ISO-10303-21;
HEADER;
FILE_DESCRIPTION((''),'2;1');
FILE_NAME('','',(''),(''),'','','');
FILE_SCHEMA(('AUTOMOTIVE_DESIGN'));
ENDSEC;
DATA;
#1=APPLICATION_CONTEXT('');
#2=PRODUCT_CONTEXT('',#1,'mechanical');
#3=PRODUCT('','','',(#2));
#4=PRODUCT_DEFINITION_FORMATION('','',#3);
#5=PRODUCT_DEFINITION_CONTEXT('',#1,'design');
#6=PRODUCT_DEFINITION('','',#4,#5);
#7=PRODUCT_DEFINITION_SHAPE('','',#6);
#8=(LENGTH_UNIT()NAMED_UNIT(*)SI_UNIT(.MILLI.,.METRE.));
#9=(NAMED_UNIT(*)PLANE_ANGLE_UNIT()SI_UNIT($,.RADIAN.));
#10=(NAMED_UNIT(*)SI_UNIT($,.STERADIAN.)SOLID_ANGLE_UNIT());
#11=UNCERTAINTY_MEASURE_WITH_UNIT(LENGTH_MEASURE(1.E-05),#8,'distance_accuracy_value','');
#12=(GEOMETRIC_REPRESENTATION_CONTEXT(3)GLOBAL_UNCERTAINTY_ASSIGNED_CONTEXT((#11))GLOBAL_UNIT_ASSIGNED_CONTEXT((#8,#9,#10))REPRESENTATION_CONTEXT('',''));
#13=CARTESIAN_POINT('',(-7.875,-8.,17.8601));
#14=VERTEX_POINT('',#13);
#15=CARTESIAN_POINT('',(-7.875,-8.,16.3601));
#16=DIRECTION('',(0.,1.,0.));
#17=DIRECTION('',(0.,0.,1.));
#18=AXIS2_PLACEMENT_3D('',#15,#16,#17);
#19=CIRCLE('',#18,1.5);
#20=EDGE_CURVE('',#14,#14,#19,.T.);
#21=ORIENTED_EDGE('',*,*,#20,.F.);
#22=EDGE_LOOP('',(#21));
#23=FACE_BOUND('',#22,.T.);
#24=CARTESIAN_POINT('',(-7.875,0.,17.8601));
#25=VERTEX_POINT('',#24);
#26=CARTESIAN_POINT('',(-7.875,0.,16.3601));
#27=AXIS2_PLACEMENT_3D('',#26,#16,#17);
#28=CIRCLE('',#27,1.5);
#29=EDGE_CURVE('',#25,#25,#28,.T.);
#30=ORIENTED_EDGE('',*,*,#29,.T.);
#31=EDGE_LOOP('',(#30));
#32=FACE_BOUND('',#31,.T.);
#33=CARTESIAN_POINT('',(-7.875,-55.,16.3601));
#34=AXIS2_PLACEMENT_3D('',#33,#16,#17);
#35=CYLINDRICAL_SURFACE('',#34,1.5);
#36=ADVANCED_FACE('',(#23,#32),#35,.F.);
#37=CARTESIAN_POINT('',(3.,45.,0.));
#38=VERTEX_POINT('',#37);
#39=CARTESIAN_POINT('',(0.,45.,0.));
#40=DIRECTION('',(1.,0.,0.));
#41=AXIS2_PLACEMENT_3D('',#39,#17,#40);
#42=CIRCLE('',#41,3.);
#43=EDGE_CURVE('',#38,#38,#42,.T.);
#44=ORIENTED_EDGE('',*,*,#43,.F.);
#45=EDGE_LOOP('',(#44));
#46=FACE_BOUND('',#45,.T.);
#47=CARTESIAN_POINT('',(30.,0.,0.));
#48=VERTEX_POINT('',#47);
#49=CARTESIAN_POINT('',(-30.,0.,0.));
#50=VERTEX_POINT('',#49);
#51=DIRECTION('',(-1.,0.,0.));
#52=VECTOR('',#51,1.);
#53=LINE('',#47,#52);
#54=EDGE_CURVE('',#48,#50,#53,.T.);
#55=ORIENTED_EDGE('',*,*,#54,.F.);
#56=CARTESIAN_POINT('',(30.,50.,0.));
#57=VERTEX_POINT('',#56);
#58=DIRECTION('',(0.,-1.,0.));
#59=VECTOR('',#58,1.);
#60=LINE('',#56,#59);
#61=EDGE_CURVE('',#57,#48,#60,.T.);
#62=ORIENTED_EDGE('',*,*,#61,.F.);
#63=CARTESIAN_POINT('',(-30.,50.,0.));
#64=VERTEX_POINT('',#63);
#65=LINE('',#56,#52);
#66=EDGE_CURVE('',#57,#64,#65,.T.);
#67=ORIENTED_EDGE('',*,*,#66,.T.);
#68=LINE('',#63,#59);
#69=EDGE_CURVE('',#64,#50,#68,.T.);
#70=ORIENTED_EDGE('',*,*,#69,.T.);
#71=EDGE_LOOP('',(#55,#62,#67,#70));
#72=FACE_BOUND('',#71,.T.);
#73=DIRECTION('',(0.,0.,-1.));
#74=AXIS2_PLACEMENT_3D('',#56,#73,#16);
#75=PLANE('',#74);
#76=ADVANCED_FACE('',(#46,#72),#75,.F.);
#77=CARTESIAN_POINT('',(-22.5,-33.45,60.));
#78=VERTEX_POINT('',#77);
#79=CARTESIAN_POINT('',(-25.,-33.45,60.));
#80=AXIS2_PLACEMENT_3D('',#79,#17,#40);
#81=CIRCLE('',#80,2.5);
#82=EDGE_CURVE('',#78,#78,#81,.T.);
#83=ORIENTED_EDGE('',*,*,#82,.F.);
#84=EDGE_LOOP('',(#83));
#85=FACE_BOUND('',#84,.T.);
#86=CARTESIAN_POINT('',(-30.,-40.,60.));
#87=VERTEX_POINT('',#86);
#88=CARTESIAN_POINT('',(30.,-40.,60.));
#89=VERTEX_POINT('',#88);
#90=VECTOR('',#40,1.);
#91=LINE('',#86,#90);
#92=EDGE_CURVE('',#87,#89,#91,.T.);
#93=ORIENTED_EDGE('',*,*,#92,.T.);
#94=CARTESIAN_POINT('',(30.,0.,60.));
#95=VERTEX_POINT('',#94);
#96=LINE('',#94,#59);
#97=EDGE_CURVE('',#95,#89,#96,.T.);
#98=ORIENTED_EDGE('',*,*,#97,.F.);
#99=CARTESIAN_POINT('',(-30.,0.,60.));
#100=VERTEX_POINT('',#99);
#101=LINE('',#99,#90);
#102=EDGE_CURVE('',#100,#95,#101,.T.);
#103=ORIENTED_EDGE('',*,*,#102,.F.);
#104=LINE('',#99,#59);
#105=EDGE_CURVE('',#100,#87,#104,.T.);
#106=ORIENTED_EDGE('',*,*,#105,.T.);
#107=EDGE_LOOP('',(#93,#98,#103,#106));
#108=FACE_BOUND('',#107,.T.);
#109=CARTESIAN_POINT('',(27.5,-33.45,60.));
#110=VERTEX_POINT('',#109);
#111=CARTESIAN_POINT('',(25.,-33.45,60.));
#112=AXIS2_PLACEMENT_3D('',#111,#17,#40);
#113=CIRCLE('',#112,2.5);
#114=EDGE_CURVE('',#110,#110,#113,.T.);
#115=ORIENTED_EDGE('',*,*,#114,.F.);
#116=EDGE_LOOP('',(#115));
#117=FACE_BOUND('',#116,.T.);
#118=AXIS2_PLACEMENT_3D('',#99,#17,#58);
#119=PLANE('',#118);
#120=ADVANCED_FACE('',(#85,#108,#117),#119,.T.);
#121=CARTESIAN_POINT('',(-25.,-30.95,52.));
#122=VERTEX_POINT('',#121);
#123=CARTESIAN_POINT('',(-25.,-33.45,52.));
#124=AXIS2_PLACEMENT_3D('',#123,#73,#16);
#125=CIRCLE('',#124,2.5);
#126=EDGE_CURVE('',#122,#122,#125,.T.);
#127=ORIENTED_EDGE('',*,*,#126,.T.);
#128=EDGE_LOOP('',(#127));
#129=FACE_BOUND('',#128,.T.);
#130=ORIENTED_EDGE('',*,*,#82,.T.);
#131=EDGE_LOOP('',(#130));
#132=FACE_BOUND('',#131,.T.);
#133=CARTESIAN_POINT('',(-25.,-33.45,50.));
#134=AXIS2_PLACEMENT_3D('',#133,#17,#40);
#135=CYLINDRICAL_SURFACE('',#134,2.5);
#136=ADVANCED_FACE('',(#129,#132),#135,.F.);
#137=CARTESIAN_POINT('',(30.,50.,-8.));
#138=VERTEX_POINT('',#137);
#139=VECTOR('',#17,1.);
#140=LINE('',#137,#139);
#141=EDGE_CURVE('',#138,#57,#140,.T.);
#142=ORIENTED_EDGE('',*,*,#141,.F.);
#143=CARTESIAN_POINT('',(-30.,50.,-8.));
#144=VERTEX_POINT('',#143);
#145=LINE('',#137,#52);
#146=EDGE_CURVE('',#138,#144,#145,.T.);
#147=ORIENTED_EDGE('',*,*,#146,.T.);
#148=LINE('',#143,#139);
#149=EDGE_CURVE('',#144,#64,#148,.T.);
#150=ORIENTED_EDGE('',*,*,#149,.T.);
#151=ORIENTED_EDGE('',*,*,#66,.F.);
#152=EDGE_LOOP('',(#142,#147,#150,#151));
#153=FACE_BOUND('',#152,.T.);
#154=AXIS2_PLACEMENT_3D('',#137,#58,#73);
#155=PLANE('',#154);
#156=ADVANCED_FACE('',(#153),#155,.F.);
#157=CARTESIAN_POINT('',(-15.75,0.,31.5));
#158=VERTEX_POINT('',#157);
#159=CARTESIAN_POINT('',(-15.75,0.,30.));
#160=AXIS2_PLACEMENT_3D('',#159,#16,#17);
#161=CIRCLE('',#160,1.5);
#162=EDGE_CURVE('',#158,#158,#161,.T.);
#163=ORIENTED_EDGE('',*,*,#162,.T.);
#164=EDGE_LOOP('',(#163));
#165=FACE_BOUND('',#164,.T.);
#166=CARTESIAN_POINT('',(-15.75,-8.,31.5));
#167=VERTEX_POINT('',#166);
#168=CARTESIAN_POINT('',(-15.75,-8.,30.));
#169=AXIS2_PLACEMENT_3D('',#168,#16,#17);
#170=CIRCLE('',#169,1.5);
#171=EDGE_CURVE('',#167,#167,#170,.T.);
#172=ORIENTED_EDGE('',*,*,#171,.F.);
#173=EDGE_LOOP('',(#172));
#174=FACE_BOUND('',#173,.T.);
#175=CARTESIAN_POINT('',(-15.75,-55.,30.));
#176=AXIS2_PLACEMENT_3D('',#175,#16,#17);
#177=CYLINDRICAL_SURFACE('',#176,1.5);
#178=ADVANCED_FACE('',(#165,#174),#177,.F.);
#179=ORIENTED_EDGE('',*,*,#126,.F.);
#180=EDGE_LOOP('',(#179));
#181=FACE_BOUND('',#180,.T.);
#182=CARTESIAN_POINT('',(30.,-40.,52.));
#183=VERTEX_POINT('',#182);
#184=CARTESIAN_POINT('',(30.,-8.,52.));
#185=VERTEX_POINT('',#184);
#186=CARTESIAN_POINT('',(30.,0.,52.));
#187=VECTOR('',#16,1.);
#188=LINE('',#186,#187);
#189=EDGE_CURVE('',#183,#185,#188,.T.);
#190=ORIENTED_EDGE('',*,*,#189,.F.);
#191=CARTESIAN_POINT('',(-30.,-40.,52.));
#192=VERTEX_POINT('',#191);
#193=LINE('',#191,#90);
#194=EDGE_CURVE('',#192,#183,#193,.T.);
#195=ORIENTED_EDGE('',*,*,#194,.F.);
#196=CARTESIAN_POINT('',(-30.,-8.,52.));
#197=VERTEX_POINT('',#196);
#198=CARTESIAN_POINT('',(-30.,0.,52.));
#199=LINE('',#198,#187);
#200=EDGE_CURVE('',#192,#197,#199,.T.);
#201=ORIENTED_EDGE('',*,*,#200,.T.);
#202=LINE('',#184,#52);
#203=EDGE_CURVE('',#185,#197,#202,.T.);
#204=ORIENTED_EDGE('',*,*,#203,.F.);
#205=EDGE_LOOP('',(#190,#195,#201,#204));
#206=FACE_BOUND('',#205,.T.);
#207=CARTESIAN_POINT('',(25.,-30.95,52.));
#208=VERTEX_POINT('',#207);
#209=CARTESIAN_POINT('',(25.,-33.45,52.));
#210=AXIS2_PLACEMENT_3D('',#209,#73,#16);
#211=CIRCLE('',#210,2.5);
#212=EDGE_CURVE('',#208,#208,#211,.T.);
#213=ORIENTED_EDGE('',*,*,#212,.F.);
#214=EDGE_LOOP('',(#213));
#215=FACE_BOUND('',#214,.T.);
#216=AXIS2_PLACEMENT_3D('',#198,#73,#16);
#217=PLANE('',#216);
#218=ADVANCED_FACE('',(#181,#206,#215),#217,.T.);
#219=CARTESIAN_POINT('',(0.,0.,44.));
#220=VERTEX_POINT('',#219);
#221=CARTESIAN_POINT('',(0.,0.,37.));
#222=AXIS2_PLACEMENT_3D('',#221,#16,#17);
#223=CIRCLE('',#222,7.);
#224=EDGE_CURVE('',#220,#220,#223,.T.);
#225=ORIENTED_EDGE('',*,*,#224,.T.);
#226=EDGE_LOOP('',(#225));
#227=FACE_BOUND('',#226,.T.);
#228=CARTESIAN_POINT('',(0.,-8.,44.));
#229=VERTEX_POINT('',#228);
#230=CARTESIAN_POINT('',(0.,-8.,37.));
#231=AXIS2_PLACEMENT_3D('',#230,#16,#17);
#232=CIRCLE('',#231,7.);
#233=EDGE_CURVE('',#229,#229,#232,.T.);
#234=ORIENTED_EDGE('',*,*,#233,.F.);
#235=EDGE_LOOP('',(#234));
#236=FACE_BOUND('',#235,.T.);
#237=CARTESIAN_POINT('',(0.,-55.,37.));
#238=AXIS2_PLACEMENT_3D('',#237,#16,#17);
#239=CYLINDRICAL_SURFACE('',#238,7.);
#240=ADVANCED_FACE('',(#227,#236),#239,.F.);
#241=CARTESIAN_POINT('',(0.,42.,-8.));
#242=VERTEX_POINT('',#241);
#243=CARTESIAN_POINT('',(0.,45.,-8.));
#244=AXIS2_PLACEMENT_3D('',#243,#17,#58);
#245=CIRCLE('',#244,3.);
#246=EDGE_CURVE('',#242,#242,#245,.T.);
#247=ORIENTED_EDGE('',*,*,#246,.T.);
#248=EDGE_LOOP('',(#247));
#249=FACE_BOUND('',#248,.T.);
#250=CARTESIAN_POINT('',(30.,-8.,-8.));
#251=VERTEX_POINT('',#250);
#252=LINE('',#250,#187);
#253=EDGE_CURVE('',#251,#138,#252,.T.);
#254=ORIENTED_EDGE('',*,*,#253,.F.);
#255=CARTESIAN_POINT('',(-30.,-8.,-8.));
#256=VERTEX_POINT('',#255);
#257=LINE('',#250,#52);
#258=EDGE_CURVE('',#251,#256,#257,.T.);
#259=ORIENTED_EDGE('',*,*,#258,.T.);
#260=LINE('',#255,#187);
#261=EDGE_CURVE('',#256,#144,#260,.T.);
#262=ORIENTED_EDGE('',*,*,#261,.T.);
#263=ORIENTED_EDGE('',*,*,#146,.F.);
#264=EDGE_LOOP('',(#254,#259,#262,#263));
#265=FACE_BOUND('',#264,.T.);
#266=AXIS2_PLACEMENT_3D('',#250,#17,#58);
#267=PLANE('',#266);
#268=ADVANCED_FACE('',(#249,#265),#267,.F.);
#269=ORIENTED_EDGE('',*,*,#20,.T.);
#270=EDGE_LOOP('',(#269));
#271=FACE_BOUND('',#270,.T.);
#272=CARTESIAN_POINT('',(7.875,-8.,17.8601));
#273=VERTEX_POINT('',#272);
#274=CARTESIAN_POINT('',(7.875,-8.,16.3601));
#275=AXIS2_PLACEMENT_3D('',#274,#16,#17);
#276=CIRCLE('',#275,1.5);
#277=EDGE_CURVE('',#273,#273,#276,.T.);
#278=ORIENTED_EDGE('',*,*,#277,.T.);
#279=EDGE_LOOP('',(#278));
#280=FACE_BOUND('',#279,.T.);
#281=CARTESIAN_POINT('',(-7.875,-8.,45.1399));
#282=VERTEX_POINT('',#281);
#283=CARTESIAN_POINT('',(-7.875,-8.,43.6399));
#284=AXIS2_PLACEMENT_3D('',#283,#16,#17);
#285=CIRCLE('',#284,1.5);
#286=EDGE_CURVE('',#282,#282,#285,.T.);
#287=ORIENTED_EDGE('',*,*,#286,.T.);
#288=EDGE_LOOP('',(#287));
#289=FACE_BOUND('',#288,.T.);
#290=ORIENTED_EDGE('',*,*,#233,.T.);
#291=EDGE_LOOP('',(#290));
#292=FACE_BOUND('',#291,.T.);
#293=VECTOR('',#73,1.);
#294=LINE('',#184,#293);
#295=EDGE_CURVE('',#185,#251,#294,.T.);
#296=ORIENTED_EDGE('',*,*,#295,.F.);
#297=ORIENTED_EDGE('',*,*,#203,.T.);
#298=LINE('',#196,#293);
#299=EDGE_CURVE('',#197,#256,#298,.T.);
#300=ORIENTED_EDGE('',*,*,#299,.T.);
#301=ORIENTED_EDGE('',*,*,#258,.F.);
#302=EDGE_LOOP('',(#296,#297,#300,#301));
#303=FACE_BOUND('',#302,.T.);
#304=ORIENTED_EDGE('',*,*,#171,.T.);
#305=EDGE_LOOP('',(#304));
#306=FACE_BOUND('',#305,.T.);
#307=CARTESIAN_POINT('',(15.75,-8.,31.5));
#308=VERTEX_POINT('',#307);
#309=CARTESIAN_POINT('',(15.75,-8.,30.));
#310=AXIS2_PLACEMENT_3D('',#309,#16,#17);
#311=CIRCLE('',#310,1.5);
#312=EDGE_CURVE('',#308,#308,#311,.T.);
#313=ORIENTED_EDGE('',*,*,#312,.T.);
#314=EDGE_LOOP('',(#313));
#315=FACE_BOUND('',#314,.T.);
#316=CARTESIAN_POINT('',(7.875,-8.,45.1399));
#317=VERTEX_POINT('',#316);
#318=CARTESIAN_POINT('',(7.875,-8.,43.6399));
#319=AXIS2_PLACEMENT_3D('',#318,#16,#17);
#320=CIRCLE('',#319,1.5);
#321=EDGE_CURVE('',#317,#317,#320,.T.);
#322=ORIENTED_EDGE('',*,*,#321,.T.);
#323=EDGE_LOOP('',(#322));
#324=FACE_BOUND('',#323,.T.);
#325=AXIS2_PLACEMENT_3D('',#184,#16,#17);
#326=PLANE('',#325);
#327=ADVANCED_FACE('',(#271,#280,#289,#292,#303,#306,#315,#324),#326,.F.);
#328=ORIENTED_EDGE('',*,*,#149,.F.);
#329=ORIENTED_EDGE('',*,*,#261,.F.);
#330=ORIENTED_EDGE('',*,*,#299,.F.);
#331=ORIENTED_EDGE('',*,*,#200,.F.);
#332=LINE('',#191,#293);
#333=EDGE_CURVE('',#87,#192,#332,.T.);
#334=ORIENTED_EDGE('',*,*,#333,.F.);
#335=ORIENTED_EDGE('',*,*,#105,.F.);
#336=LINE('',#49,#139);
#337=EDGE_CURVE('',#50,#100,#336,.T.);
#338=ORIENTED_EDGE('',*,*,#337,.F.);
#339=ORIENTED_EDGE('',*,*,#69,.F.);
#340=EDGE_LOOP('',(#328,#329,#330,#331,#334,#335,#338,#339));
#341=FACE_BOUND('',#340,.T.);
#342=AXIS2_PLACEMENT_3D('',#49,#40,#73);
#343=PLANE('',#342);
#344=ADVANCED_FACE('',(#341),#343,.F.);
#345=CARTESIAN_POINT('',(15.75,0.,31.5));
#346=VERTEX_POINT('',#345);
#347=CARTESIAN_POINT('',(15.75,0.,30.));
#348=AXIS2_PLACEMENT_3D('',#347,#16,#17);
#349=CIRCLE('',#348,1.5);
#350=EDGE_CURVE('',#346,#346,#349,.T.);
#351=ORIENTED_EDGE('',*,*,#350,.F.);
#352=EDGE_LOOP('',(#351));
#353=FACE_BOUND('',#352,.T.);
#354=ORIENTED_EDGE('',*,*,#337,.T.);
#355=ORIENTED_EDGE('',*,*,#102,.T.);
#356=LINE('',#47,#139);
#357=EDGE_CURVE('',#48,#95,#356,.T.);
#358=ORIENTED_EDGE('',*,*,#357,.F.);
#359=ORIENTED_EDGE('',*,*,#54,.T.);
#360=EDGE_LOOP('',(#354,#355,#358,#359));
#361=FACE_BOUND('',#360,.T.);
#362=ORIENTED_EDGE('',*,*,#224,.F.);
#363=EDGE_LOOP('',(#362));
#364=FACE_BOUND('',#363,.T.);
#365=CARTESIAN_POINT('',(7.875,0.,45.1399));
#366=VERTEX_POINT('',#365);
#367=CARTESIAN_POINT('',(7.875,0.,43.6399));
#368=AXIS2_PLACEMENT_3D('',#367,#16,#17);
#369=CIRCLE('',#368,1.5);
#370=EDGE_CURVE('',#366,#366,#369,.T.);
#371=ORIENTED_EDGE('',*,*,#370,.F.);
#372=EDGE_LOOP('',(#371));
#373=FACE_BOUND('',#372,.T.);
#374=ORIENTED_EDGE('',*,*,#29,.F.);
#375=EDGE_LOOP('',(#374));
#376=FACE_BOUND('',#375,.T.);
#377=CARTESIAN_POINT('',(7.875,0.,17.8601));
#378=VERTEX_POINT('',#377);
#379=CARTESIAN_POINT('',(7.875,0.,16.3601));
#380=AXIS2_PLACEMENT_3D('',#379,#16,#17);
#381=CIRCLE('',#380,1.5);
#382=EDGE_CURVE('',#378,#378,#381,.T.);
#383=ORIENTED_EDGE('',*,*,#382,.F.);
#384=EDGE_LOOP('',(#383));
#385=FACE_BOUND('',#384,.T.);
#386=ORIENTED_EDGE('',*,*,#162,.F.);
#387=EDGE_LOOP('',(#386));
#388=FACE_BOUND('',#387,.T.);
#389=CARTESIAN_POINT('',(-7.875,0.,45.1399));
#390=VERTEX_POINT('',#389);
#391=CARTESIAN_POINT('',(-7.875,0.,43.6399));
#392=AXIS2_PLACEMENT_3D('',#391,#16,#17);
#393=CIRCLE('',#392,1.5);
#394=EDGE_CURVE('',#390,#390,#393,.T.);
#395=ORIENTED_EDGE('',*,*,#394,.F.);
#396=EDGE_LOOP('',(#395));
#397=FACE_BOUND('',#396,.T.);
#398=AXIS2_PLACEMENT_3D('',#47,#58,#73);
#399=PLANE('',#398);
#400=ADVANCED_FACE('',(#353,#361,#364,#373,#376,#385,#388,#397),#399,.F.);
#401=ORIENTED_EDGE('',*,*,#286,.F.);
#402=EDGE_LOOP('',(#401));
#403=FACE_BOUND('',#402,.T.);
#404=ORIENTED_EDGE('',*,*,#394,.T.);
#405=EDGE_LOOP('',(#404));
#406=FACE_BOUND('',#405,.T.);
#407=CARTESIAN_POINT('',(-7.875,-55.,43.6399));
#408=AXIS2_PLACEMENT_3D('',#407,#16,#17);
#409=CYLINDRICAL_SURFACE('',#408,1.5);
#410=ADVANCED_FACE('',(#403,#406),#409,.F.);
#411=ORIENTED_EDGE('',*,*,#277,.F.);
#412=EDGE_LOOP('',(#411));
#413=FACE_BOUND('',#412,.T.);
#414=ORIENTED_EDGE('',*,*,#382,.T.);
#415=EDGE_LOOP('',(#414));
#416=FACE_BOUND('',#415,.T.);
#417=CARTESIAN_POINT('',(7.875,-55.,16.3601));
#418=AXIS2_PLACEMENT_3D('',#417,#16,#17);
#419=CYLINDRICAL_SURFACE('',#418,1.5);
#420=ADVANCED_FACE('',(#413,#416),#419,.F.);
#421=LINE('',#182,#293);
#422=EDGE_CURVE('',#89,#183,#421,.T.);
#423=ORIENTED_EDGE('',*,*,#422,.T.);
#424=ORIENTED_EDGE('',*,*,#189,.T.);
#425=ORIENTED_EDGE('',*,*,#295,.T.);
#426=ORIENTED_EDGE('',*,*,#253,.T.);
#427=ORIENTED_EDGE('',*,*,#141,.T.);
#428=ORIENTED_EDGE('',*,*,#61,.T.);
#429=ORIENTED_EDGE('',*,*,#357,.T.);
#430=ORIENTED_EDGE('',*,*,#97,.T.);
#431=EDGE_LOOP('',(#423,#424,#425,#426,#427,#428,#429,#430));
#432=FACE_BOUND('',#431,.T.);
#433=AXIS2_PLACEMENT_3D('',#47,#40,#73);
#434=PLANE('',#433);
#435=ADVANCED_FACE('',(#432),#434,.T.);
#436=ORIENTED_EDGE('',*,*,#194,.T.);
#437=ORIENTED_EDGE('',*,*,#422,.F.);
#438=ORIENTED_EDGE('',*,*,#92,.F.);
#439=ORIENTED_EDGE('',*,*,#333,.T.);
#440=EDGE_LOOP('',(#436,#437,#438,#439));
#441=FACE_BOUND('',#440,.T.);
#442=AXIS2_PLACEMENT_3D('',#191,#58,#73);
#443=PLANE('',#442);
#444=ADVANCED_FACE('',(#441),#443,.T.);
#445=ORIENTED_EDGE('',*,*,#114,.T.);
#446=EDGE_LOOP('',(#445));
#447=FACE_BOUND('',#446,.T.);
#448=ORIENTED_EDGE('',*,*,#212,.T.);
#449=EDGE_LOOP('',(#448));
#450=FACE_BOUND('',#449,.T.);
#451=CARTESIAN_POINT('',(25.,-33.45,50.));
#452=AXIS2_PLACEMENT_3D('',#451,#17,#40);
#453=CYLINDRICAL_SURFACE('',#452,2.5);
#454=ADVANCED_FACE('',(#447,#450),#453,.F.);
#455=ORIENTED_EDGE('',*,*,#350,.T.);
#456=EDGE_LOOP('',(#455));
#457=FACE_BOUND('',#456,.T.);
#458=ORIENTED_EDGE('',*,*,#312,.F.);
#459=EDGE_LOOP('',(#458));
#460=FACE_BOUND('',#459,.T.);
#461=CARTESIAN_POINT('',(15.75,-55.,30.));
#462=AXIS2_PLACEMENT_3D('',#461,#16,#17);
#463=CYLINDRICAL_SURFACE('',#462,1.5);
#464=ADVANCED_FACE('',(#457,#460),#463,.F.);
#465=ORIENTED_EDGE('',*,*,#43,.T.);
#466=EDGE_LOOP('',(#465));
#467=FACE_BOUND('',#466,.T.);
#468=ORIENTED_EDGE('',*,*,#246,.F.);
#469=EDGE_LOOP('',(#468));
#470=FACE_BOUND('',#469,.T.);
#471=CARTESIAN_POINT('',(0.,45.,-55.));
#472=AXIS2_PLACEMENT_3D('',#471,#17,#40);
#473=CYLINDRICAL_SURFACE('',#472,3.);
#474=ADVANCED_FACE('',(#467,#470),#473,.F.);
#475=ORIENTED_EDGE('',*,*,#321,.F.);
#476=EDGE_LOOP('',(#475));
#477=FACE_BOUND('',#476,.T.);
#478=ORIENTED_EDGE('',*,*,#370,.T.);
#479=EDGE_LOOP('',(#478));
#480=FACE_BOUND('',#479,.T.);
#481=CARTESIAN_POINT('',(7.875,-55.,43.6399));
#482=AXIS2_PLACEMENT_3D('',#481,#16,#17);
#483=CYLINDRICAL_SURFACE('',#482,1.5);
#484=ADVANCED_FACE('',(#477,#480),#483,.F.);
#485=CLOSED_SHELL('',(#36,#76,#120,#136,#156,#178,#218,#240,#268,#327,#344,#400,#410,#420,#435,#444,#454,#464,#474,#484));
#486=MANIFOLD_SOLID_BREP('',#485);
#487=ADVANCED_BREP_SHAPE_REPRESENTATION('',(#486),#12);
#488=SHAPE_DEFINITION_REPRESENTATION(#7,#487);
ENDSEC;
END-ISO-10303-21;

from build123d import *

# Parameters (mm, degrees)
BOSS_EXTRUDE1_DEPTH = 30
SKETCH2_R           = 7
SKETCH2_R_2         = 1.5
CUT_EXTRUDE1_DEPTH  = 55
SKETCH3_R           = 3
CUT_EXTRUDE2_DEPTH  = 55
SKETCH4_W           = 8
SKETCH4_H           = 40
BOSS_EXTRUDE2_DEPTH = 60
SKETCH5_R           = 2.5
CUT_EXTRUDE3_DEPTH  = 10


with BuildPart() as part:
    # Sketch1 → Boss-Extrude1 (new, symmetric)
    with BuildSketch(Plane(origin=(0, 0, 0), x_dir=(0, 0, -1), z_dir=(1, 0, 0))):
        Polygon((0, 50), (0, 0), (-52, 0), (-52, -8), (8, -8), (8, 50), align=None)
    extrude(amount=BOSS_EXTRUDE1_DEPTH, both=True)

    # Sketch2 → Cut-Extrude1 (cut)
    with BuildSketch(Plane(origin=(0, 0, 0), x_dir=(1, 0, 0), z_dir=(0, 1, 0))):
        with Locations(Location((0, -37, 0), (0, 0, 270))):
            Circle(SKETCH2_R)
        with Locations(Location((15.75, -30, 0), (0, 0, 270))):
            Circle(SKETCH2_R_2)
        with Locations(Location((7.875, -43.63990011, 0), (0, 0, 270))):
            Circle(SKETCH2_R_2)
        with Locations(Location((-7.875, -43.63990011, 0), (0, 0, 270))):
            Circle(SKETCH2_R_2)
        with Locations(Location((-15.75, -30, 0), (0, 0, 270))):
            Circle(SKETCH2_R_2)
        with Locations(Location((-7.875, -16.36009989, 0), (0, 0, 270))):
            Circle(SKETCH2_R_2)
        with Locations(Location((7.875, -16.36009989, 0), (0, 0, 270))):
            Circle(SKETCH2_R_2)
    extrude(amount=-CUT_EXTRUDE1_DEPTH, mode=Mode.SUBTRACT)

    # Sketch3 → Cut-Extrude2 (cut)
    with BuildSketch(Plane.XY):
        with Locations((0, 45)):
            Circle(SKETCH3_R)
    extrude(amount=-CUT_EXTRUDE2_DEPTH, mode=Mode.SUBTRACT)

    # Sketch4 → Boss-Extrude2 (add)
    with BuildSketch(Plane(origin=(30, 0, 0), x_dir=(0, 0, -1), z_dir=(1, 0, 0))):
        with Locations((-56, -20)):
            Rectangle(SKETCH4_W, SKETCH4_H)
    extrude(amount=-BOSS_EXTRUDE2_DEPTH)

    # Sketch5 → Cut-Extrude3 (cut)
    with BuildSketch(Plane.XY.offset(60)):
        with Locations((25, -33.45)):
            Circle(SKETCH5_R)
        with Locations((-25, -33.45)):
            Circle(SKETCH5_R)
    extrude(amount=-CUT_EXTRUDE3_DEPTH, mode=Mode.SUBTRACT)


solid = part.part
